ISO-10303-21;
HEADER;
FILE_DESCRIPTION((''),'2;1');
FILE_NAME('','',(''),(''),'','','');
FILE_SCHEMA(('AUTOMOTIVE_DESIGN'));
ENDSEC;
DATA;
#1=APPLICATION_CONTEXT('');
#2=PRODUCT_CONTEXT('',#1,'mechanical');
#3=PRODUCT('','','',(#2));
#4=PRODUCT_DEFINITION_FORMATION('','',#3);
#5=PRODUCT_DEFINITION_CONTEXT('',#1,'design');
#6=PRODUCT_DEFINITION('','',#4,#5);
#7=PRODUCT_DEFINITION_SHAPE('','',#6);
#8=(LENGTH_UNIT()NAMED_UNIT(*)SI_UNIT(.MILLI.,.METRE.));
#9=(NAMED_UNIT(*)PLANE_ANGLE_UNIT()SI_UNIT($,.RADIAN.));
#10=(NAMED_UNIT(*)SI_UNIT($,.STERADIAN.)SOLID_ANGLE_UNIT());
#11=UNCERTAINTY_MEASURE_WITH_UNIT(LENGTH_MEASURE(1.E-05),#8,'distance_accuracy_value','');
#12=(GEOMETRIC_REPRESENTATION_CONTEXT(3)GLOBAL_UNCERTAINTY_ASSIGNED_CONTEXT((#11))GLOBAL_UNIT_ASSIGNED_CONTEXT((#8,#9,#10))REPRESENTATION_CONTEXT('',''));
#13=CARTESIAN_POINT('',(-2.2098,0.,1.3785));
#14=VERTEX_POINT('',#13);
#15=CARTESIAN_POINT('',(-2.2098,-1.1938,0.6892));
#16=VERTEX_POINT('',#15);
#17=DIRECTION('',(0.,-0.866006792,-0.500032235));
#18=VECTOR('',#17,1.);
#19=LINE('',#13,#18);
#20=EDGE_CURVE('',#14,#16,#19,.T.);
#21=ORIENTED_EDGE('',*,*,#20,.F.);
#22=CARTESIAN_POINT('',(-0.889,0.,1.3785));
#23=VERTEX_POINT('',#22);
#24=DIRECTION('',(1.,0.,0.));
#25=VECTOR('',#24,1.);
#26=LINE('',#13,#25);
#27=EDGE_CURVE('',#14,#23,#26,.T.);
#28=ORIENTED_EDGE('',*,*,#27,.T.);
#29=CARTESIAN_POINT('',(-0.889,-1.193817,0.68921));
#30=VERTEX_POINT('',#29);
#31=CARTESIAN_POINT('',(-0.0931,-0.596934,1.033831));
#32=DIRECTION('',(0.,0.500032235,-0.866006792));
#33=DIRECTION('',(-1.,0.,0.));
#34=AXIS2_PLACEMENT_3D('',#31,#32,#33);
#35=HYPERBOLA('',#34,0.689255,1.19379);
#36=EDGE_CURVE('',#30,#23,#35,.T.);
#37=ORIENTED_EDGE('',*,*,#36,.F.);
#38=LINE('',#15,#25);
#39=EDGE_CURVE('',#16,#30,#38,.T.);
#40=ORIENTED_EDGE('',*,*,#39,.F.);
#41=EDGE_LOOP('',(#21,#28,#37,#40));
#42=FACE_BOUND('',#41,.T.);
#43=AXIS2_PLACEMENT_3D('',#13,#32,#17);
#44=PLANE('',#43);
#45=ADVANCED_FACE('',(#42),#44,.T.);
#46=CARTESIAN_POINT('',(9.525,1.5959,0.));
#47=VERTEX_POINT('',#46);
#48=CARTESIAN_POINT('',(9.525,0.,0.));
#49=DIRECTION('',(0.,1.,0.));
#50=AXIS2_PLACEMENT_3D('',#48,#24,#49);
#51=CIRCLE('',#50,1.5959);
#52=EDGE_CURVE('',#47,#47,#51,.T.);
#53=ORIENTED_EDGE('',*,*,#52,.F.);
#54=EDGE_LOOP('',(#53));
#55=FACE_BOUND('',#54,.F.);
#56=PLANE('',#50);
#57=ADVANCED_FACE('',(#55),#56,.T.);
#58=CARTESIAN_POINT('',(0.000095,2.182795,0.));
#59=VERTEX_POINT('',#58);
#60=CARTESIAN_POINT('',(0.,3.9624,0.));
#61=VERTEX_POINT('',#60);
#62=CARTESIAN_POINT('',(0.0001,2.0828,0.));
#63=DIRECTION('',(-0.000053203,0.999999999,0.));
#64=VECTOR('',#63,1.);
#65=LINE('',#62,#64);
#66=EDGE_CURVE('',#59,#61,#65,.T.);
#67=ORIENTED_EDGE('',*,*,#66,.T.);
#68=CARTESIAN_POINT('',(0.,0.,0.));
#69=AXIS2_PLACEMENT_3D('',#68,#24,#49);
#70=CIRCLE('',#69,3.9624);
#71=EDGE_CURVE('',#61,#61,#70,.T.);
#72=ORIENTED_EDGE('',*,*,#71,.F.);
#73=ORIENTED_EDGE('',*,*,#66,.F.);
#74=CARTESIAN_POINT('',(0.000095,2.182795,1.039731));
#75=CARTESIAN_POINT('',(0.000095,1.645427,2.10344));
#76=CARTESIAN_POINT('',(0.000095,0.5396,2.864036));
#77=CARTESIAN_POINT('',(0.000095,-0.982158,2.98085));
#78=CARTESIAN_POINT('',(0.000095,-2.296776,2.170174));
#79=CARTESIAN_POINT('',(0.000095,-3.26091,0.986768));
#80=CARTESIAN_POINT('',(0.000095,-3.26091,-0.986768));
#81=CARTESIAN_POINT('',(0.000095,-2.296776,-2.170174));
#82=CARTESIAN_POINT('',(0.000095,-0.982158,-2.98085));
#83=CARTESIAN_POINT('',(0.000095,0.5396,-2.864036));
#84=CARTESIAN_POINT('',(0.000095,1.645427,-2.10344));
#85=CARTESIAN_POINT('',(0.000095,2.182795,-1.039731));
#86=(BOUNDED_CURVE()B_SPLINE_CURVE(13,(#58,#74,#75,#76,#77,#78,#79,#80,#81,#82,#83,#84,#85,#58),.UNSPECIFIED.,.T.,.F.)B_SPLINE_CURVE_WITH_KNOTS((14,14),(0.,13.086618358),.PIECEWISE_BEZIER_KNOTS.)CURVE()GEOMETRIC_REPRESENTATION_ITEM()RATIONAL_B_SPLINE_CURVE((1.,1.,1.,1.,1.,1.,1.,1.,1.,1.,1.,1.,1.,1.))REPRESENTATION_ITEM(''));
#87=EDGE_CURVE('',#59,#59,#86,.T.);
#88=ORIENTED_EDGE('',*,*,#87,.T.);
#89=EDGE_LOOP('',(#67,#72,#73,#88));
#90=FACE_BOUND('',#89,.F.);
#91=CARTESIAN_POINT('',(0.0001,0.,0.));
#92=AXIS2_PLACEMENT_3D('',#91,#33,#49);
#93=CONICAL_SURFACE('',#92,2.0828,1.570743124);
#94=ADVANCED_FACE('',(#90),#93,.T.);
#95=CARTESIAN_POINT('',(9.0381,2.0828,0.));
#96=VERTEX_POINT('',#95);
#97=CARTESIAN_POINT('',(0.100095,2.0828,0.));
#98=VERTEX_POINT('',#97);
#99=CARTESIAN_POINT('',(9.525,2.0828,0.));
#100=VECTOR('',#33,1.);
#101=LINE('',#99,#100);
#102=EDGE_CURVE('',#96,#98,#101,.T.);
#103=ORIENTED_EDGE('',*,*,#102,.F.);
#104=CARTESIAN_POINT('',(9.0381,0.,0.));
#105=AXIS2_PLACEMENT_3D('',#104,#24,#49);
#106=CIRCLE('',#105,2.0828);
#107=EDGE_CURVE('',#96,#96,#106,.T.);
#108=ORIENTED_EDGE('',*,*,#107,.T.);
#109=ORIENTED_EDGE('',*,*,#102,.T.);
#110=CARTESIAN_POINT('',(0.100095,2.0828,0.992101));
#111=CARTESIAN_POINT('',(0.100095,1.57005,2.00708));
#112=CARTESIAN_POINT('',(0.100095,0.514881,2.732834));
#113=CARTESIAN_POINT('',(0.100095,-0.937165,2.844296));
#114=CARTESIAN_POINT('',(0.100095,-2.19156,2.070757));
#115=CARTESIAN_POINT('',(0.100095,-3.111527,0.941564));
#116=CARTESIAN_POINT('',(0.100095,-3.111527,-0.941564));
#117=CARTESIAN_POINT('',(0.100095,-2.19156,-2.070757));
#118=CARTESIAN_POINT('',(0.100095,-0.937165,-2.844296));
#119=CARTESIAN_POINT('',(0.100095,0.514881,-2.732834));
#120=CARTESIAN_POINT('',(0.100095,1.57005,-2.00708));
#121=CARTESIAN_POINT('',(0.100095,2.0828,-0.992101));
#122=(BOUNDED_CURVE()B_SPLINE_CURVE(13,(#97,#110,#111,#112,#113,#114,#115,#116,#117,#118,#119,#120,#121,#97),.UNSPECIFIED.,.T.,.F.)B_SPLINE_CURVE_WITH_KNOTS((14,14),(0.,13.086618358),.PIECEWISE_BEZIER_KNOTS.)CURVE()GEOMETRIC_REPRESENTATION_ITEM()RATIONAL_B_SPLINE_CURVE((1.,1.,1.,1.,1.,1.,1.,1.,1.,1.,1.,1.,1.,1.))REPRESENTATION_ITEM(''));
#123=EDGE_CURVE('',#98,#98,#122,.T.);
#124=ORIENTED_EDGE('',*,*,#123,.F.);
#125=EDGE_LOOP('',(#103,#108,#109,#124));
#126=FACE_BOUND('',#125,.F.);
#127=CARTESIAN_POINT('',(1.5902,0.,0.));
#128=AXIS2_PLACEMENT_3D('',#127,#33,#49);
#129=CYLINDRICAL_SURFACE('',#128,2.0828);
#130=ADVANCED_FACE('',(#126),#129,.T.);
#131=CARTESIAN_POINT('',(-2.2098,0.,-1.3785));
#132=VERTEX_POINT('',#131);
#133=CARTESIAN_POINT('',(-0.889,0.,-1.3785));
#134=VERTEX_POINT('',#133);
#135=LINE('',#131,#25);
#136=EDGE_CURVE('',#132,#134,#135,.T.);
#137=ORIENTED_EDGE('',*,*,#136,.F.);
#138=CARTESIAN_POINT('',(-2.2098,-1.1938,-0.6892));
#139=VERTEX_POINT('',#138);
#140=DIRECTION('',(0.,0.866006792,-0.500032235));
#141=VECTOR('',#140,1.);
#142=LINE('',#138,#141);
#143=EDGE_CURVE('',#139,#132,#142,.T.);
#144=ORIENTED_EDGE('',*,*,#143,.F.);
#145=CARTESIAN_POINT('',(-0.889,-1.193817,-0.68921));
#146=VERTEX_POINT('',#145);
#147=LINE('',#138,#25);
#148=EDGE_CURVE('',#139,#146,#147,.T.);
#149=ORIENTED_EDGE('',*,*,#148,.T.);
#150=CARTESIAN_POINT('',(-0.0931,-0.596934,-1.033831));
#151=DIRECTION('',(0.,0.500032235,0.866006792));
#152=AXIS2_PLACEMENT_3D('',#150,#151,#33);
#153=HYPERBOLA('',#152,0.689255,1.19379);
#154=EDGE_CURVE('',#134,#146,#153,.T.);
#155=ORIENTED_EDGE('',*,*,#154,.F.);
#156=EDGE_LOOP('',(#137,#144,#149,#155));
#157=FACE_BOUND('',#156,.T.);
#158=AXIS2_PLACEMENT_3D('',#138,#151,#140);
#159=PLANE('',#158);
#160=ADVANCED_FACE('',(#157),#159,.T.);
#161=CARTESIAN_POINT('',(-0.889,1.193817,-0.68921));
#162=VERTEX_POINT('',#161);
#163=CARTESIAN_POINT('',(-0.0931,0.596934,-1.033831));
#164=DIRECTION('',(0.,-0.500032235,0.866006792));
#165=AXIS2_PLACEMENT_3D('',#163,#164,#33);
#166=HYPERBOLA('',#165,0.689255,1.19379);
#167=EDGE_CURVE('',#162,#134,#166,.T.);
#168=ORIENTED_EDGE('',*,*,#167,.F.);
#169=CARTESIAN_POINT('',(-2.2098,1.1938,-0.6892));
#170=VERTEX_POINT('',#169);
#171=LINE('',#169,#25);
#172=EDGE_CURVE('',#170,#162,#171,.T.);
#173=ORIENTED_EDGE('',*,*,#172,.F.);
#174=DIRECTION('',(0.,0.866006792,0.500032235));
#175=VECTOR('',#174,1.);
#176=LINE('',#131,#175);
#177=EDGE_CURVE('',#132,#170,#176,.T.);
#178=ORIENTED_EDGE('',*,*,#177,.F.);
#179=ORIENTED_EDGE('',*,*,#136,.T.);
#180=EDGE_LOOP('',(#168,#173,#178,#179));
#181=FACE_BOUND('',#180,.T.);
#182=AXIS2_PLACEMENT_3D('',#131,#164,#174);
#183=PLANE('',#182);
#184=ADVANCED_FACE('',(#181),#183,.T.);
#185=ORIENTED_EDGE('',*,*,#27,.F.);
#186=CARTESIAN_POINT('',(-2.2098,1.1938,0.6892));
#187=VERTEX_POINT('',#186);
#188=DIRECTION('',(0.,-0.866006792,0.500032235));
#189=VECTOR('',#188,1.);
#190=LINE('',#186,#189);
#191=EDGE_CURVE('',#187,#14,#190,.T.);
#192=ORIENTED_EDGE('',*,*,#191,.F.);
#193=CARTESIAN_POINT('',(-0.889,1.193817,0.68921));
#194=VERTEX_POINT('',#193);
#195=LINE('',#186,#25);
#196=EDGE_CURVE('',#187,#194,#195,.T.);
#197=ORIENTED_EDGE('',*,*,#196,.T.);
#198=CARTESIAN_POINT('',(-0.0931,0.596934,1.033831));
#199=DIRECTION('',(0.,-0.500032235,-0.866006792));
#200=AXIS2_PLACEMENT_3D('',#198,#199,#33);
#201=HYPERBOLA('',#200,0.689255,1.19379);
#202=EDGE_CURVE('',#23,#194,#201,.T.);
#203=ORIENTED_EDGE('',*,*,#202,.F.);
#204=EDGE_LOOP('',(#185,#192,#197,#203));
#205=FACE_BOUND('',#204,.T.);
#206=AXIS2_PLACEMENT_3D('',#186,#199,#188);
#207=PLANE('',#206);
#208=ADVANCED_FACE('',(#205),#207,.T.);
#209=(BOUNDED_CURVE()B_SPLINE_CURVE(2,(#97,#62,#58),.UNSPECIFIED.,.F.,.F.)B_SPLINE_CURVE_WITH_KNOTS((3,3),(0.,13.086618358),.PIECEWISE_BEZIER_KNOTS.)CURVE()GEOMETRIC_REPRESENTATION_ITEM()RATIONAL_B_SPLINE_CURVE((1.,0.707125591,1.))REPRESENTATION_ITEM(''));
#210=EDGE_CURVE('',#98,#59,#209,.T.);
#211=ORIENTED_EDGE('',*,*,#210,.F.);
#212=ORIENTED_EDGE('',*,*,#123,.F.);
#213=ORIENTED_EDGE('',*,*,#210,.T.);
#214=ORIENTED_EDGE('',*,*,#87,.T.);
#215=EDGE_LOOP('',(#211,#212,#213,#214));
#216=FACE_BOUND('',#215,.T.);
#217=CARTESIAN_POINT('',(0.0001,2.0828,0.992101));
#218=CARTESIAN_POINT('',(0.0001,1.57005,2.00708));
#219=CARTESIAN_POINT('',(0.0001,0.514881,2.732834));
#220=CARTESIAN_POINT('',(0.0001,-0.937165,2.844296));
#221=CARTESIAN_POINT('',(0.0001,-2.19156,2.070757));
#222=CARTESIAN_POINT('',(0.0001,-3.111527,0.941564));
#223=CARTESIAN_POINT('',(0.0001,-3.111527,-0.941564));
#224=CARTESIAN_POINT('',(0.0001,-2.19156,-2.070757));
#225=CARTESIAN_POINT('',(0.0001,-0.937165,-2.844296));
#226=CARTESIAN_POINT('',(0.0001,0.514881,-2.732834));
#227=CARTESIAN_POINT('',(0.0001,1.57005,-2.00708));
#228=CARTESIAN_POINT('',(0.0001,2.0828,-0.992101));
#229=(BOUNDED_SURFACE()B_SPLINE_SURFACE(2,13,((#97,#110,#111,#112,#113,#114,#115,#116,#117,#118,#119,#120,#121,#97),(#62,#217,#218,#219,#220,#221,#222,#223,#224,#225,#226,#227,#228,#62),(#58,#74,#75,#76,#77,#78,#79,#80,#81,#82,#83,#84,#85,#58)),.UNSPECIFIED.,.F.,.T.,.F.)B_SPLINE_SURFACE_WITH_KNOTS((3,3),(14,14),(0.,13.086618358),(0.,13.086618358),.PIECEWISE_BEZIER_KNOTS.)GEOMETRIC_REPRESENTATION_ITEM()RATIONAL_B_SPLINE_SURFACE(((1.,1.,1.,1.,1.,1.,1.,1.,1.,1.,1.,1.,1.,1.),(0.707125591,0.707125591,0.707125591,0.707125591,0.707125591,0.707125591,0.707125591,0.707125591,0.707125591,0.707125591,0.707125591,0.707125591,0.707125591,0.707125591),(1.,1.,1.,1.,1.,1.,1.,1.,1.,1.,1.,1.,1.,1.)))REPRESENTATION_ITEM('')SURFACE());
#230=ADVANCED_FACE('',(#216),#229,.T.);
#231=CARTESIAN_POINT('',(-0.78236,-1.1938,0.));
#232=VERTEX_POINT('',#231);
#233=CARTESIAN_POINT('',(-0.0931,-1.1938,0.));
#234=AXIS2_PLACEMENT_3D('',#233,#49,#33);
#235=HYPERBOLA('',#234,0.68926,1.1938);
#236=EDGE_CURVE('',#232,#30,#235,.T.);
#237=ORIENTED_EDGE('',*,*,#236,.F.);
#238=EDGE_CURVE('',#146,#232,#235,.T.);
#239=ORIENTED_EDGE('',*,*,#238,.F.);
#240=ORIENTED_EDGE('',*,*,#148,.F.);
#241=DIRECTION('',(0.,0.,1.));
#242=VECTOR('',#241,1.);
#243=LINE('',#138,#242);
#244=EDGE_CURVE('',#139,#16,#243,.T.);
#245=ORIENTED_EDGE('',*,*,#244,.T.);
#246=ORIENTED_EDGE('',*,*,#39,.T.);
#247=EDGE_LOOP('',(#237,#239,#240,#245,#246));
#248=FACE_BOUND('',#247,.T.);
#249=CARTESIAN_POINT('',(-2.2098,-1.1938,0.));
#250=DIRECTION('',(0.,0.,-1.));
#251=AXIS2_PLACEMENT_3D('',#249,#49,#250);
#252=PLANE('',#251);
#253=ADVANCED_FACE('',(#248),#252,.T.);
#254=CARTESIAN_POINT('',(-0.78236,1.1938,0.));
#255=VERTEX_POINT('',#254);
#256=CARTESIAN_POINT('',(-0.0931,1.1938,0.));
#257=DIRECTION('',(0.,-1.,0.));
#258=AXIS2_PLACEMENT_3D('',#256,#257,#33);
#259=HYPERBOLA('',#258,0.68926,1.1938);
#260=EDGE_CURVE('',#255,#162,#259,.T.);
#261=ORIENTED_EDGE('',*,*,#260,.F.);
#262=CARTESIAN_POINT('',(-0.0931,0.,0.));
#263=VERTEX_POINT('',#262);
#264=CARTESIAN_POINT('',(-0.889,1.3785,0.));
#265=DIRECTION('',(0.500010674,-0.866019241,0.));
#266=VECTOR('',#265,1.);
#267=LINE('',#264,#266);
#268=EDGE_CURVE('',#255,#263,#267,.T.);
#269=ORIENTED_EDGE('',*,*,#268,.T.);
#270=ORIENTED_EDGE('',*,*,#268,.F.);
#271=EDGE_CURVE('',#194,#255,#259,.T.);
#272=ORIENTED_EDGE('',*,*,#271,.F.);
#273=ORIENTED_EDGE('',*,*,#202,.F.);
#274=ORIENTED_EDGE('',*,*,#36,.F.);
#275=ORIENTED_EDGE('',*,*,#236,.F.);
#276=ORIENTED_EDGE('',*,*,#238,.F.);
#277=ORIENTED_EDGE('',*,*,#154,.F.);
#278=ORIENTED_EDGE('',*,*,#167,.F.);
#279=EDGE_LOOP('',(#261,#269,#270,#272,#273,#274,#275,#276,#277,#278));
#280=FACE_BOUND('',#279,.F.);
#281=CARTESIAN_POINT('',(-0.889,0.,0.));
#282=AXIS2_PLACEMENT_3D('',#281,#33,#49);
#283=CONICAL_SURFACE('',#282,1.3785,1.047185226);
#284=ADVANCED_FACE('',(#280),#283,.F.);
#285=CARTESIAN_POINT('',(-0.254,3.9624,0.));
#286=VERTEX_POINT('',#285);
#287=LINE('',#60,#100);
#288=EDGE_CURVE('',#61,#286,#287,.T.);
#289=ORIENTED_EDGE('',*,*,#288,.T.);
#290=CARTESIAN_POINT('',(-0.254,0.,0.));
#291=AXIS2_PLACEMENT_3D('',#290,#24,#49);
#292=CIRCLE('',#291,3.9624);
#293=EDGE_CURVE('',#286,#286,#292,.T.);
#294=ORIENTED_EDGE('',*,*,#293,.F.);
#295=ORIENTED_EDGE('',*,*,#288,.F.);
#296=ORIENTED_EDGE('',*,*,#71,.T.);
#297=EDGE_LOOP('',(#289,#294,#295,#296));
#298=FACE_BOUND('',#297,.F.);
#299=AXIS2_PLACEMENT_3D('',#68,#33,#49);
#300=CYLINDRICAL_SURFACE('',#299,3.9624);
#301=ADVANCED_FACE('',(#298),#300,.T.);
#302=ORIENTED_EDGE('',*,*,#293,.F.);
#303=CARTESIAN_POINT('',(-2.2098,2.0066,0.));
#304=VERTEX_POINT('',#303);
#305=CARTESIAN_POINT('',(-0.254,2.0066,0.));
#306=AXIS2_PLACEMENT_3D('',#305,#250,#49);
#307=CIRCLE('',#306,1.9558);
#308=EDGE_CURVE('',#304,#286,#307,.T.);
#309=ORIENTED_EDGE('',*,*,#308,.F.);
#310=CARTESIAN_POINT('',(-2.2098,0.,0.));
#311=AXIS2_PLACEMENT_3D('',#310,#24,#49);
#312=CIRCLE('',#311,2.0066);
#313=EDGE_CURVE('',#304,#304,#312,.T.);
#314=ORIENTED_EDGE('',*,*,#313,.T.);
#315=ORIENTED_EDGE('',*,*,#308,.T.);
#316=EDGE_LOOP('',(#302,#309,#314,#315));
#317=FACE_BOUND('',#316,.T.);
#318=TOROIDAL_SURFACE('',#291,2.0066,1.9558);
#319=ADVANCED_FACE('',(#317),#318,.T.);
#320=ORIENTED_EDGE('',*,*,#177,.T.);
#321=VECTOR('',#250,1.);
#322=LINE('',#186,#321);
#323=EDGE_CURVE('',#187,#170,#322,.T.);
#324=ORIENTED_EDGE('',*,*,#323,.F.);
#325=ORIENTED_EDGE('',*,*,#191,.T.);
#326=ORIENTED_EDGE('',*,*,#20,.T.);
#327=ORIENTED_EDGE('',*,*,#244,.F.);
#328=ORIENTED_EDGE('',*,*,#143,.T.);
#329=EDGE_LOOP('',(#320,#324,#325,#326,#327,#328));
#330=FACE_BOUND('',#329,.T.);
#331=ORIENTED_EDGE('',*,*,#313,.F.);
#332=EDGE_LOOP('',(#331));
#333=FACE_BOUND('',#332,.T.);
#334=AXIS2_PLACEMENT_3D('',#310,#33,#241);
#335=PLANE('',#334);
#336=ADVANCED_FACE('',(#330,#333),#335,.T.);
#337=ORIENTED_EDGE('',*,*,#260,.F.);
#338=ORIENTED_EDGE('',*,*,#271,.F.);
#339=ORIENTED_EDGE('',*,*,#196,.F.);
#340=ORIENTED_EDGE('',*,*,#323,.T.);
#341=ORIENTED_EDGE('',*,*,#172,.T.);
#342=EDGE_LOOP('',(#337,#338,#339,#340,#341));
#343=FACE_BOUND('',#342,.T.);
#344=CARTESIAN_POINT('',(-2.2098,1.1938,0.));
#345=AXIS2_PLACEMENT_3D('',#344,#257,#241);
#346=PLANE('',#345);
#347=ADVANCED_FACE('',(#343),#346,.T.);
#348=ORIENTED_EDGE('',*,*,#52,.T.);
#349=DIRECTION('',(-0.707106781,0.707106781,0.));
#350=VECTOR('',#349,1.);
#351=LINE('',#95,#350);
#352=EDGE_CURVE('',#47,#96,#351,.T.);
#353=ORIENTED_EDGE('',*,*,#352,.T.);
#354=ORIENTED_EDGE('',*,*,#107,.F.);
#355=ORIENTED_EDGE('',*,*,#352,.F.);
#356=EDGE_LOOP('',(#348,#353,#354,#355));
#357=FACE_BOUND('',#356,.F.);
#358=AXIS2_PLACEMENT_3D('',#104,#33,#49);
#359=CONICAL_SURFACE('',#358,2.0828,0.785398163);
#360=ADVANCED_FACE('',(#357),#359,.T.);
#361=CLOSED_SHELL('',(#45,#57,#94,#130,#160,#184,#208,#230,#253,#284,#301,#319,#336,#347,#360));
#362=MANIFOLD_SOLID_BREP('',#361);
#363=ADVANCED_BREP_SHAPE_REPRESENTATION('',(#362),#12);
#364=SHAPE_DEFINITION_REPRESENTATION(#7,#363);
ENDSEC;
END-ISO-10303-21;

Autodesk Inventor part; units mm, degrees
ref_plane "YZ Plane" through (0, 0, 0) normal (1, 0, 0) x (0, 1, 0)
ref_plane "XZ Plane" through (0, 0, 0) normal (0, 1, 0) x (-1, 0, 0)
sketch "Sketch1" plane through (0, 0, 0) normal (0, 0, 1) x (1, 0, 0)
  line L0 (-0.0931, 0) -> (9.525, 0)
  line L1 (9.525, 0) -> (9.525, 2.0828)
  line L2 (9.525, 2.0828) -> (1.5902, 2.0828)
  line L3 (1.5902, 2.0828) -> (0.0001, 2.0828)
  line L4 (0.0001, 2.0828) -> (0, 2.0828)
  line L5 (0, 2.0828) -> (0, 3.9624)
  line L6 (0, 3.9624) -> (-2.2098, 3.9624)
  line L7 (-2.2098, 3.9624) -> (-2.2098, 1.3785)
  line L8 (-2.2098, 1.3785) -> (-0.889, 1.3785)
  line L9 (-0.889, 1.3785) -> (-0.0931, 0)
  line L10 (-4.5568, 0) -> (11.872, 0) projected
  line L11 (0, -0.7925) -> (0, 4.7549) projected
  line L12 (1.5902, 2.0828) -> (0, 2.0828) construction
  dimension "d1" = 7.9348
  dimension "d2" = 1.5901
  dimension "d3" = 2.2098
  dimension "d4" = 1.3208
  dimension "d5" = 60
  dimension "d6" = 4.1656
  dimension "d7" = 4.1656
  dimension "d8" = 2.757
  dimension "d9" = 7.9248
  dimension "d26" = 9.525
revolve "Body" add sketch "Sketch1" angle 360 about axis through (-0.0931, 0, 0) along (1, 0, 0)
sketch "Sketch2" plane through (-2.2098, 0, 0) normal (-1, 0, 0) x (0, 0, 1)
  circle A0 centre (0, 0) radius 1.3785 projected
  line L0 (0, -5.5474) -> (0, 5.5474) projected
  line L1 (-5.5474, 0) -> (5.5474, 0) projected
  line L2 (1.3785, 0) -> (0.6892, -1.1938)
  line L3 (0.6892, -1.1938) -> (-0.6892, -1.1938)
  line L4 (-0.6892, -1.1938) -> (-1.3785, 0)
  line L5 (-1.3785, 0) -> (-0.6892, 1.1938)
  line L6 (-0.6892, 1.1938) -> (0.6892, 1.1938)
  line L7 (0.6892, 1.1938) -> (1.3785, 0)
extrude "Slot" add sketch "Sketch2" against normal up to next contours L7 A0 | A0 L2 | L6 L0 A0 | A0 L0 L3 | L0 L6 A0 | A0 L3 L0 | L4 A0 | A0 L5
fillet "Fillet1" radius 1.9558 1 edges at (-2.2098, -3.9624, 0)
thread "Thread" size "8-32 UNC" class "2A" standard "ANSI Unified Screw Threads" length 7.9348
chamfer "Chamfer1" distance 0.4869 distance2 0.4869 1 edges at (9.525, -2.0828, 0) measured on face at (9.525, -0.1898, 0.4203)
ref_plane "Work Plane1" through (29, 0, 0) normal (0, -1, 0) x (1, 0, 0)
fillet "Fillet2" radius 0.1 1 edges at (0.0001, -2.0828, 0)
equation "\"d30\" = R"
equation "\"d17\" = RR"
equation "\"d13\" = GEL"
equation "\"d15\" = -0.5 * SPD + 0.5 * GD"
equation "\"d16\" = GUL"
equation "\"d1\" = GEL"
equation "\"d3\" = KOH"
equation "\"d4\" = INTI"
equation "\"d6\" = GD"
equation "\"d7\" = BDM"
equation "\"d8\" = 1.1547 * SW"
equation "\"d9\" = KOD"
equation "\"d26\" = NLG"
equation "\"GD\" = NND"
equation "\"NLG\" = 9.525"
equation "\"GEL\" = 7.93476"
equation "\"KOD\" = 7.9248"
equation "\"KOH\" = 2.2098"
equation "\"INTI\" = 1.3208"
equation "\"GAL\" = 1.59004"
equation "\"GUL\" = 0.48692"
equation "\"BDM\" = NND"
equation "\"SW\" = 2.3876"
equation "\"RR\" = 1.9558"
equation "\"SPD\" = 3.19176"
equation "\"R\" = 0.1"
equation "\"TOA\" = 30deg"
equation "\"GD1\" = SPD"
equation "\"THREADDIA\" = 4.1656"
equation "\"KOH1\" = 0.381"
equation "\"NND\" = 4.1656"
equation "\"E0\" = 2.75768"
properties part number "ANSI B18.3 - 8 - 32 x 3/8" material "Steel, Mild"
